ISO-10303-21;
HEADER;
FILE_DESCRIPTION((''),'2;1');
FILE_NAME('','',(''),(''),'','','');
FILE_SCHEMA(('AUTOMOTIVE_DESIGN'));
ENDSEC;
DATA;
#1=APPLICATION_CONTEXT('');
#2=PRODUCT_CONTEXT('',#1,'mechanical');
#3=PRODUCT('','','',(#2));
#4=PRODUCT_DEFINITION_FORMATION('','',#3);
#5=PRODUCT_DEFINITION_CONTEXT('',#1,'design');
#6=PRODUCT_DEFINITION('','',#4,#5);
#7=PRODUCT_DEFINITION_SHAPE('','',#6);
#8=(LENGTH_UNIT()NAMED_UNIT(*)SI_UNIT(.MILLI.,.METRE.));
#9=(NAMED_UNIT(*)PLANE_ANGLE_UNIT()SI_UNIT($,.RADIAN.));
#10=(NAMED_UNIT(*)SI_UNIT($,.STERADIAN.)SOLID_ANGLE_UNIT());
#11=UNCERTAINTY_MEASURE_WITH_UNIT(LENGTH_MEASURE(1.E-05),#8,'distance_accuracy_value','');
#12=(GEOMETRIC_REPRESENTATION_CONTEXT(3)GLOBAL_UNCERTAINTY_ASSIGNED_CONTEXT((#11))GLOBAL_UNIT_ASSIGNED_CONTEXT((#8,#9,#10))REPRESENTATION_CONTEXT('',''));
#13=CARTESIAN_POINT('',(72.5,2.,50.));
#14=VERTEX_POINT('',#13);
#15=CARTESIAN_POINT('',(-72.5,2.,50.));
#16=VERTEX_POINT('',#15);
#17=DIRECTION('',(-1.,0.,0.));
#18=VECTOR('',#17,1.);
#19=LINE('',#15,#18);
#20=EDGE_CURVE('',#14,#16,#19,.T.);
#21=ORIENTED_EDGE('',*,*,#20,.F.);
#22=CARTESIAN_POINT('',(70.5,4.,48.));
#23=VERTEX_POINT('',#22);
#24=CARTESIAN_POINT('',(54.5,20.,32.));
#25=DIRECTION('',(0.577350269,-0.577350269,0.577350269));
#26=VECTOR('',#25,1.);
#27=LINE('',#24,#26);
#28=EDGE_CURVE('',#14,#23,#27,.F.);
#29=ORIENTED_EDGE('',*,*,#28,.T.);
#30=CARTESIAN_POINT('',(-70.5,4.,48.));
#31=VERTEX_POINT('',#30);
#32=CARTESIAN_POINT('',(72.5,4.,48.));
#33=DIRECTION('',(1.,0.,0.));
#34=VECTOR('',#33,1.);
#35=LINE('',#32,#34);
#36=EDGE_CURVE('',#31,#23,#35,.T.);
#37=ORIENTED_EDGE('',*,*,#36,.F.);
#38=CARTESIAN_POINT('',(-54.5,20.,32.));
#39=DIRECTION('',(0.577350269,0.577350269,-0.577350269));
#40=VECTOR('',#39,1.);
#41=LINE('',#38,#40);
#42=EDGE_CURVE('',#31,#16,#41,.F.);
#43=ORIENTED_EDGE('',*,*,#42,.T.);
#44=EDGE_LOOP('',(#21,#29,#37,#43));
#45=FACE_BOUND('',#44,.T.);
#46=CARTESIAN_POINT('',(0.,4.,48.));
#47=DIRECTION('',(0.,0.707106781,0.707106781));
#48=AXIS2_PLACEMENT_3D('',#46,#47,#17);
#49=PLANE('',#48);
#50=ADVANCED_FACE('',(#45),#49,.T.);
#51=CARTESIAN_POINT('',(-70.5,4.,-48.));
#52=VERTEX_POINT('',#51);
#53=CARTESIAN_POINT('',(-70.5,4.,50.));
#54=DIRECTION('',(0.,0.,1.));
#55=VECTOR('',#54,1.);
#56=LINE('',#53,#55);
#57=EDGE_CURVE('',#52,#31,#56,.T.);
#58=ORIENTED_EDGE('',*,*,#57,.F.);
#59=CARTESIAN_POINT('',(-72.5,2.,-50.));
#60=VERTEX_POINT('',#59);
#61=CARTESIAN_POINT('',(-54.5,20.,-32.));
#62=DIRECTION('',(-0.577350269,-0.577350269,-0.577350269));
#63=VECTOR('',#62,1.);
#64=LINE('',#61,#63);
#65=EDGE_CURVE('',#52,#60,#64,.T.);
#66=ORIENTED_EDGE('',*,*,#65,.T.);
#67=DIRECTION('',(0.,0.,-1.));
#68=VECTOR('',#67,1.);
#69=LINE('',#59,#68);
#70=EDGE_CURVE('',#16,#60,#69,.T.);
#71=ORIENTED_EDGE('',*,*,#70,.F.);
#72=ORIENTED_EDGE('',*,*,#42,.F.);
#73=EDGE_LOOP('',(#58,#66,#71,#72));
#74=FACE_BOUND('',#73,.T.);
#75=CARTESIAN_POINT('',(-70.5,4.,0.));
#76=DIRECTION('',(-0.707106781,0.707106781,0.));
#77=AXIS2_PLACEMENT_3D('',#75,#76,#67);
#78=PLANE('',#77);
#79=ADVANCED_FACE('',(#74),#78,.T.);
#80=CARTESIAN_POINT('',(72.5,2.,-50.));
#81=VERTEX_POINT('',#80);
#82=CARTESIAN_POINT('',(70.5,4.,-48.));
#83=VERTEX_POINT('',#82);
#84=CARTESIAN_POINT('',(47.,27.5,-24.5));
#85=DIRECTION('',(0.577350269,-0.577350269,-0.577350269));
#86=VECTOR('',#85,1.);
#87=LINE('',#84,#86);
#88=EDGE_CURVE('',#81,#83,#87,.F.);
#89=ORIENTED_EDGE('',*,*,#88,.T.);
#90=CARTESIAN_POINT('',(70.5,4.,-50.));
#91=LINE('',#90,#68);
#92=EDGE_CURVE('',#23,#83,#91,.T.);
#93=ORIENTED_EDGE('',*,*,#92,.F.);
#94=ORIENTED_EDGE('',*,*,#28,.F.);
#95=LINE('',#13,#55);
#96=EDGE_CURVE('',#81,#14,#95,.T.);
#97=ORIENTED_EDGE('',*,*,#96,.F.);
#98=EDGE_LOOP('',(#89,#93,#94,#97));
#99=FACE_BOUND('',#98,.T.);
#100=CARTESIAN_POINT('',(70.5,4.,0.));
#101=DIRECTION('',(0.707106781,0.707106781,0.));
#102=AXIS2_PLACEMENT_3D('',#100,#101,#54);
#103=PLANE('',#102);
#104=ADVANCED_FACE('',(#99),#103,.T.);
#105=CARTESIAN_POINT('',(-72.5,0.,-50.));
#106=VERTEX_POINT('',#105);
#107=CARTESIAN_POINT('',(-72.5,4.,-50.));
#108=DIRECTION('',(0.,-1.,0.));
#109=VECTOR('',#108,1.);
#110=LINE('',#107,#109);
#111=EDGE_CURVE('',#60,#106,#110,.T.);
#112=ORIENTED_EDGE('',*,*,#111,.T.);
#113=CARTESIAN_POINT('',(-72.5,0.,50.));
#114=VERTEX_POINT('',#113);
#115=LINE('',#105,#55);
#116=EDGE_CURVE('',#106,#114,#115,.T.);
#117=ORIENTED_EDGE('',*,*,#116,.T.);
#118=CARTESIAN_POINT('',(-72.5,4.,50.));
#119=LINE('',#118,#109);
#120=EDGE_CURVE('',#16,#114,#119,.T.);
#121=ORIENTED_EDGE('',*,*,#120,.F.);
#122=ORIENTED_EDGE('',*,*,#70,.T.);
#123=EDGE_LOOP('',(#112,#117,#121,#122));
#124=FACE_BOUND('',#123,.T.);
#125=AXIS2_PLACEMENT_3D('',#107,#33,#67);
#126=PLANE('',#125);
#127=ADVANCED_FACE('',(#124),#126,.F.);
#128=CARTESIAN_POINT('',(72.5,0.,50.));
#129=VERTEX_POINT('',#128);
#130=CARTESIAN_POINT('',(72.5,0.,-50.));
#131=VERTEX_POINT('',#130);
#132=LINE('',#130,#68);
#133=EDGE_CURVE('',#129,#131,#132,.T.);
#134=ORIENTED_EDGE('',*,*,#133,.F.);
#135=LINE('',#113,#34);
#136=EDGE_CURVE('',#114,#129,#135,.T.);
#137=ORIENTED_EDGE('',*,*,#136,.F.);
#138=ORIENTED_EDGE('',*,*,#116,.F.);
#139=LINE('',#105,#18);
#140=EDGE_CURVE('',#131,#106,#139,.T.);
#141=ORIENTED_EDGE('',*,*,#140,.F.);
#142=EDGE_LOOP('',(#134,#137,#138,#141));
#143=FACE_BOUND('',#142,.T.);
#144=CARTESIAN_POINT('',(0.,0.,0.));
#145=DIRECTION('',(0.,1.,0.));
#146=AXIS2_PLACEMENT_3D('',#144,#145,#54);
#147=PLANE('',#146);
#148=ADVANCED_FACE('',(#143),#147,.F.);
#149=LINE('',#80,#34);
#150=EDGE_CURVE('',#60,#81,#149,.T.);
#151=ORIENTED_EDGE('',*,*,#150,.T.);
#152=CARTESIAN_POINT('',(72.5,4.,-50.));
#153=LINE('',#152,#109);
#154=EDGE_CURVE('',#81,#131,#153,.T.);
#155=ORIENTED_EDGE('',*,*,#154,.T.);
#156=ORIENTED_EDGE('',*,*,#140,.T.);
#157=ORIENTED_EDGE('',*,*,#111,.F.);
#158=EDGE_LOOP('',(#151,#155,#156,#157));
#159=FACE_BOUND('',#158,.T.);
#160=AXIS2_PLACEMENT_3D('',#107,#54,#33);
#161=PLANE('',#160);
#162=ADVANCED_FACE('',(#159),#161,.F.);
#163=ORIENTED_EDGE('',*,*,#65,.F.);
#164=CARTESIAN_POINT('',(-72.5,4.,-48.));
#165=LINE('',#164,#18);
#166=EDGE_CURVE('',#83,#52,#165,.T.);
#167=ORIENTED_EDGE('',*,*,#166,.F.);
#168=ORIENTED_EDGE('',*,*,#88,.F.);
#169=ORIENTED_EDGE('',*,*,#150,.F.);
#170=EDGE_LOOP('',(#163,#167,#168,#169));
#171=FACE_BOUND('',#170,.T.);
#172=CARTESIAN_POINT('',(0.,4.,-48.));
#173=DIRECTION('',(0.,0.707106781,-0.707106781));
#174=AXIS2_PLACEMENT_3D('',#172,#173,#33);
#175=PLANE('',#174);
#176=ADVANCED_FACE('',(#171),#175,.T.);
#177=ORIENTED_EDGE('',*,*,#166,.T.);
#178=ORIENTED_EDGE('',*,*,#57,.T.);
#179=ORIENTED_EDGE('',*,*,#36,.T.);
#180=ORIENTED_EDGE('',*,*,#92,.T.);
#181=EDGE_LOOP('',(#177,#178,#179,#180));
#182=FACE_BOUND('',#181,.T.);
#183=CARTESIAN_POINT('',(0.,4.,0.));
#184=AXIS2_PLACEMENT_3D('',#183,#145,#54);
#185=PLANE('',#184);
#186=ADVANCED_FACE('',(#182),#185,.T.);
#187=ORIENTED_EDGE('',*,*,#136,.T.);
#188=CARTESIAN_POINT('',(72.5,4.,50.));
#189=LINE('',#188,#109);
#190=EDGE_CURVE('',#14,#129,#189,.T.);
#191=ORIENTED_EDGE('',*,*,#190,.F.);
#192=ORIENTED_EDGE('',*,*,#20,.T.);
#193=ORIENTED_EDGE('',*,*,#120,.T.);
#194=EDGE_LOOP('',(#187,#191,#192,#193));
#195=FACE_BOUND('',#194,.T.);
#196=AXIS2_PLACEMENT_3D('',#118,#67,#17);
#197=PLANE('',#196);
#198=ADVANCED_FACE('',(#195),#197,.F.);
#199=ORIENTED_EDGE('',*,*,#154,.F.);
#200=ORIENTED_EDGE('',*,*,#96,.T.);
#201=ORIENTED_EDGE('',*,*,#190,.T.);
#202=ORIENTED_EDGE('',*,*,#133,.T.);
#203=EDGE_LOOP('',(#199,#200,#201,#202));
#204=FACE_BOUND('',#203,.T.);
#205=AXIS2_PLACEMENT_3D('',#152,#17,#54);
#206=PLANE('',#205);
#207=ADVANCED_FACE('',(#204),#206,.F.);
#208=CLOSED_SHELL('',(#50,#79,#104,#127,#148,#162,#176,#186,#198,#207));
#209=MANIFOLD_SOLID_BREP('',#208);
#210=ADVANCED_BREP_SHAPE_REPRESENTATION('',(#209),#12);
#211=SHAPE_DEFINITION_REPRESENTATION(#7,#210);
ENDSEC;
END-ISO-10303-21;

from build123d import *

# Parameters (mm, degrees)
SKETCH1_W           = 145
SKETCH1_H           = 100
BOSS_EXTRUDE1_DEPTH = 4
CHAMFER2_SIZE       = 2


with BuildPart() as part:
    # Sketch1 → Boss-Extrude1 (new body)
    with BuildSketch(Plane(origin=(0, 0, 0), x_dir=(1, 0, 0), z_dir=(0, 1, 0))):
        Rectangle(SKETCH1_W, SKETCH1_H)
    extrude(amount=BOSS_EXTRUDE1_DEPTH)

    # Chamfer2
    chamfer2_edges = [part.edges().sort_by_distance(p)[0] for p in [
        (-72.5, 4, 0),
        (0, 4, 50),
        (72.5, 4, 0),
        (0, 4, -50),
    ]]
    chamfer(chamfer2_edges, length=CHAMFER2_SIZE)


solid = part.part
